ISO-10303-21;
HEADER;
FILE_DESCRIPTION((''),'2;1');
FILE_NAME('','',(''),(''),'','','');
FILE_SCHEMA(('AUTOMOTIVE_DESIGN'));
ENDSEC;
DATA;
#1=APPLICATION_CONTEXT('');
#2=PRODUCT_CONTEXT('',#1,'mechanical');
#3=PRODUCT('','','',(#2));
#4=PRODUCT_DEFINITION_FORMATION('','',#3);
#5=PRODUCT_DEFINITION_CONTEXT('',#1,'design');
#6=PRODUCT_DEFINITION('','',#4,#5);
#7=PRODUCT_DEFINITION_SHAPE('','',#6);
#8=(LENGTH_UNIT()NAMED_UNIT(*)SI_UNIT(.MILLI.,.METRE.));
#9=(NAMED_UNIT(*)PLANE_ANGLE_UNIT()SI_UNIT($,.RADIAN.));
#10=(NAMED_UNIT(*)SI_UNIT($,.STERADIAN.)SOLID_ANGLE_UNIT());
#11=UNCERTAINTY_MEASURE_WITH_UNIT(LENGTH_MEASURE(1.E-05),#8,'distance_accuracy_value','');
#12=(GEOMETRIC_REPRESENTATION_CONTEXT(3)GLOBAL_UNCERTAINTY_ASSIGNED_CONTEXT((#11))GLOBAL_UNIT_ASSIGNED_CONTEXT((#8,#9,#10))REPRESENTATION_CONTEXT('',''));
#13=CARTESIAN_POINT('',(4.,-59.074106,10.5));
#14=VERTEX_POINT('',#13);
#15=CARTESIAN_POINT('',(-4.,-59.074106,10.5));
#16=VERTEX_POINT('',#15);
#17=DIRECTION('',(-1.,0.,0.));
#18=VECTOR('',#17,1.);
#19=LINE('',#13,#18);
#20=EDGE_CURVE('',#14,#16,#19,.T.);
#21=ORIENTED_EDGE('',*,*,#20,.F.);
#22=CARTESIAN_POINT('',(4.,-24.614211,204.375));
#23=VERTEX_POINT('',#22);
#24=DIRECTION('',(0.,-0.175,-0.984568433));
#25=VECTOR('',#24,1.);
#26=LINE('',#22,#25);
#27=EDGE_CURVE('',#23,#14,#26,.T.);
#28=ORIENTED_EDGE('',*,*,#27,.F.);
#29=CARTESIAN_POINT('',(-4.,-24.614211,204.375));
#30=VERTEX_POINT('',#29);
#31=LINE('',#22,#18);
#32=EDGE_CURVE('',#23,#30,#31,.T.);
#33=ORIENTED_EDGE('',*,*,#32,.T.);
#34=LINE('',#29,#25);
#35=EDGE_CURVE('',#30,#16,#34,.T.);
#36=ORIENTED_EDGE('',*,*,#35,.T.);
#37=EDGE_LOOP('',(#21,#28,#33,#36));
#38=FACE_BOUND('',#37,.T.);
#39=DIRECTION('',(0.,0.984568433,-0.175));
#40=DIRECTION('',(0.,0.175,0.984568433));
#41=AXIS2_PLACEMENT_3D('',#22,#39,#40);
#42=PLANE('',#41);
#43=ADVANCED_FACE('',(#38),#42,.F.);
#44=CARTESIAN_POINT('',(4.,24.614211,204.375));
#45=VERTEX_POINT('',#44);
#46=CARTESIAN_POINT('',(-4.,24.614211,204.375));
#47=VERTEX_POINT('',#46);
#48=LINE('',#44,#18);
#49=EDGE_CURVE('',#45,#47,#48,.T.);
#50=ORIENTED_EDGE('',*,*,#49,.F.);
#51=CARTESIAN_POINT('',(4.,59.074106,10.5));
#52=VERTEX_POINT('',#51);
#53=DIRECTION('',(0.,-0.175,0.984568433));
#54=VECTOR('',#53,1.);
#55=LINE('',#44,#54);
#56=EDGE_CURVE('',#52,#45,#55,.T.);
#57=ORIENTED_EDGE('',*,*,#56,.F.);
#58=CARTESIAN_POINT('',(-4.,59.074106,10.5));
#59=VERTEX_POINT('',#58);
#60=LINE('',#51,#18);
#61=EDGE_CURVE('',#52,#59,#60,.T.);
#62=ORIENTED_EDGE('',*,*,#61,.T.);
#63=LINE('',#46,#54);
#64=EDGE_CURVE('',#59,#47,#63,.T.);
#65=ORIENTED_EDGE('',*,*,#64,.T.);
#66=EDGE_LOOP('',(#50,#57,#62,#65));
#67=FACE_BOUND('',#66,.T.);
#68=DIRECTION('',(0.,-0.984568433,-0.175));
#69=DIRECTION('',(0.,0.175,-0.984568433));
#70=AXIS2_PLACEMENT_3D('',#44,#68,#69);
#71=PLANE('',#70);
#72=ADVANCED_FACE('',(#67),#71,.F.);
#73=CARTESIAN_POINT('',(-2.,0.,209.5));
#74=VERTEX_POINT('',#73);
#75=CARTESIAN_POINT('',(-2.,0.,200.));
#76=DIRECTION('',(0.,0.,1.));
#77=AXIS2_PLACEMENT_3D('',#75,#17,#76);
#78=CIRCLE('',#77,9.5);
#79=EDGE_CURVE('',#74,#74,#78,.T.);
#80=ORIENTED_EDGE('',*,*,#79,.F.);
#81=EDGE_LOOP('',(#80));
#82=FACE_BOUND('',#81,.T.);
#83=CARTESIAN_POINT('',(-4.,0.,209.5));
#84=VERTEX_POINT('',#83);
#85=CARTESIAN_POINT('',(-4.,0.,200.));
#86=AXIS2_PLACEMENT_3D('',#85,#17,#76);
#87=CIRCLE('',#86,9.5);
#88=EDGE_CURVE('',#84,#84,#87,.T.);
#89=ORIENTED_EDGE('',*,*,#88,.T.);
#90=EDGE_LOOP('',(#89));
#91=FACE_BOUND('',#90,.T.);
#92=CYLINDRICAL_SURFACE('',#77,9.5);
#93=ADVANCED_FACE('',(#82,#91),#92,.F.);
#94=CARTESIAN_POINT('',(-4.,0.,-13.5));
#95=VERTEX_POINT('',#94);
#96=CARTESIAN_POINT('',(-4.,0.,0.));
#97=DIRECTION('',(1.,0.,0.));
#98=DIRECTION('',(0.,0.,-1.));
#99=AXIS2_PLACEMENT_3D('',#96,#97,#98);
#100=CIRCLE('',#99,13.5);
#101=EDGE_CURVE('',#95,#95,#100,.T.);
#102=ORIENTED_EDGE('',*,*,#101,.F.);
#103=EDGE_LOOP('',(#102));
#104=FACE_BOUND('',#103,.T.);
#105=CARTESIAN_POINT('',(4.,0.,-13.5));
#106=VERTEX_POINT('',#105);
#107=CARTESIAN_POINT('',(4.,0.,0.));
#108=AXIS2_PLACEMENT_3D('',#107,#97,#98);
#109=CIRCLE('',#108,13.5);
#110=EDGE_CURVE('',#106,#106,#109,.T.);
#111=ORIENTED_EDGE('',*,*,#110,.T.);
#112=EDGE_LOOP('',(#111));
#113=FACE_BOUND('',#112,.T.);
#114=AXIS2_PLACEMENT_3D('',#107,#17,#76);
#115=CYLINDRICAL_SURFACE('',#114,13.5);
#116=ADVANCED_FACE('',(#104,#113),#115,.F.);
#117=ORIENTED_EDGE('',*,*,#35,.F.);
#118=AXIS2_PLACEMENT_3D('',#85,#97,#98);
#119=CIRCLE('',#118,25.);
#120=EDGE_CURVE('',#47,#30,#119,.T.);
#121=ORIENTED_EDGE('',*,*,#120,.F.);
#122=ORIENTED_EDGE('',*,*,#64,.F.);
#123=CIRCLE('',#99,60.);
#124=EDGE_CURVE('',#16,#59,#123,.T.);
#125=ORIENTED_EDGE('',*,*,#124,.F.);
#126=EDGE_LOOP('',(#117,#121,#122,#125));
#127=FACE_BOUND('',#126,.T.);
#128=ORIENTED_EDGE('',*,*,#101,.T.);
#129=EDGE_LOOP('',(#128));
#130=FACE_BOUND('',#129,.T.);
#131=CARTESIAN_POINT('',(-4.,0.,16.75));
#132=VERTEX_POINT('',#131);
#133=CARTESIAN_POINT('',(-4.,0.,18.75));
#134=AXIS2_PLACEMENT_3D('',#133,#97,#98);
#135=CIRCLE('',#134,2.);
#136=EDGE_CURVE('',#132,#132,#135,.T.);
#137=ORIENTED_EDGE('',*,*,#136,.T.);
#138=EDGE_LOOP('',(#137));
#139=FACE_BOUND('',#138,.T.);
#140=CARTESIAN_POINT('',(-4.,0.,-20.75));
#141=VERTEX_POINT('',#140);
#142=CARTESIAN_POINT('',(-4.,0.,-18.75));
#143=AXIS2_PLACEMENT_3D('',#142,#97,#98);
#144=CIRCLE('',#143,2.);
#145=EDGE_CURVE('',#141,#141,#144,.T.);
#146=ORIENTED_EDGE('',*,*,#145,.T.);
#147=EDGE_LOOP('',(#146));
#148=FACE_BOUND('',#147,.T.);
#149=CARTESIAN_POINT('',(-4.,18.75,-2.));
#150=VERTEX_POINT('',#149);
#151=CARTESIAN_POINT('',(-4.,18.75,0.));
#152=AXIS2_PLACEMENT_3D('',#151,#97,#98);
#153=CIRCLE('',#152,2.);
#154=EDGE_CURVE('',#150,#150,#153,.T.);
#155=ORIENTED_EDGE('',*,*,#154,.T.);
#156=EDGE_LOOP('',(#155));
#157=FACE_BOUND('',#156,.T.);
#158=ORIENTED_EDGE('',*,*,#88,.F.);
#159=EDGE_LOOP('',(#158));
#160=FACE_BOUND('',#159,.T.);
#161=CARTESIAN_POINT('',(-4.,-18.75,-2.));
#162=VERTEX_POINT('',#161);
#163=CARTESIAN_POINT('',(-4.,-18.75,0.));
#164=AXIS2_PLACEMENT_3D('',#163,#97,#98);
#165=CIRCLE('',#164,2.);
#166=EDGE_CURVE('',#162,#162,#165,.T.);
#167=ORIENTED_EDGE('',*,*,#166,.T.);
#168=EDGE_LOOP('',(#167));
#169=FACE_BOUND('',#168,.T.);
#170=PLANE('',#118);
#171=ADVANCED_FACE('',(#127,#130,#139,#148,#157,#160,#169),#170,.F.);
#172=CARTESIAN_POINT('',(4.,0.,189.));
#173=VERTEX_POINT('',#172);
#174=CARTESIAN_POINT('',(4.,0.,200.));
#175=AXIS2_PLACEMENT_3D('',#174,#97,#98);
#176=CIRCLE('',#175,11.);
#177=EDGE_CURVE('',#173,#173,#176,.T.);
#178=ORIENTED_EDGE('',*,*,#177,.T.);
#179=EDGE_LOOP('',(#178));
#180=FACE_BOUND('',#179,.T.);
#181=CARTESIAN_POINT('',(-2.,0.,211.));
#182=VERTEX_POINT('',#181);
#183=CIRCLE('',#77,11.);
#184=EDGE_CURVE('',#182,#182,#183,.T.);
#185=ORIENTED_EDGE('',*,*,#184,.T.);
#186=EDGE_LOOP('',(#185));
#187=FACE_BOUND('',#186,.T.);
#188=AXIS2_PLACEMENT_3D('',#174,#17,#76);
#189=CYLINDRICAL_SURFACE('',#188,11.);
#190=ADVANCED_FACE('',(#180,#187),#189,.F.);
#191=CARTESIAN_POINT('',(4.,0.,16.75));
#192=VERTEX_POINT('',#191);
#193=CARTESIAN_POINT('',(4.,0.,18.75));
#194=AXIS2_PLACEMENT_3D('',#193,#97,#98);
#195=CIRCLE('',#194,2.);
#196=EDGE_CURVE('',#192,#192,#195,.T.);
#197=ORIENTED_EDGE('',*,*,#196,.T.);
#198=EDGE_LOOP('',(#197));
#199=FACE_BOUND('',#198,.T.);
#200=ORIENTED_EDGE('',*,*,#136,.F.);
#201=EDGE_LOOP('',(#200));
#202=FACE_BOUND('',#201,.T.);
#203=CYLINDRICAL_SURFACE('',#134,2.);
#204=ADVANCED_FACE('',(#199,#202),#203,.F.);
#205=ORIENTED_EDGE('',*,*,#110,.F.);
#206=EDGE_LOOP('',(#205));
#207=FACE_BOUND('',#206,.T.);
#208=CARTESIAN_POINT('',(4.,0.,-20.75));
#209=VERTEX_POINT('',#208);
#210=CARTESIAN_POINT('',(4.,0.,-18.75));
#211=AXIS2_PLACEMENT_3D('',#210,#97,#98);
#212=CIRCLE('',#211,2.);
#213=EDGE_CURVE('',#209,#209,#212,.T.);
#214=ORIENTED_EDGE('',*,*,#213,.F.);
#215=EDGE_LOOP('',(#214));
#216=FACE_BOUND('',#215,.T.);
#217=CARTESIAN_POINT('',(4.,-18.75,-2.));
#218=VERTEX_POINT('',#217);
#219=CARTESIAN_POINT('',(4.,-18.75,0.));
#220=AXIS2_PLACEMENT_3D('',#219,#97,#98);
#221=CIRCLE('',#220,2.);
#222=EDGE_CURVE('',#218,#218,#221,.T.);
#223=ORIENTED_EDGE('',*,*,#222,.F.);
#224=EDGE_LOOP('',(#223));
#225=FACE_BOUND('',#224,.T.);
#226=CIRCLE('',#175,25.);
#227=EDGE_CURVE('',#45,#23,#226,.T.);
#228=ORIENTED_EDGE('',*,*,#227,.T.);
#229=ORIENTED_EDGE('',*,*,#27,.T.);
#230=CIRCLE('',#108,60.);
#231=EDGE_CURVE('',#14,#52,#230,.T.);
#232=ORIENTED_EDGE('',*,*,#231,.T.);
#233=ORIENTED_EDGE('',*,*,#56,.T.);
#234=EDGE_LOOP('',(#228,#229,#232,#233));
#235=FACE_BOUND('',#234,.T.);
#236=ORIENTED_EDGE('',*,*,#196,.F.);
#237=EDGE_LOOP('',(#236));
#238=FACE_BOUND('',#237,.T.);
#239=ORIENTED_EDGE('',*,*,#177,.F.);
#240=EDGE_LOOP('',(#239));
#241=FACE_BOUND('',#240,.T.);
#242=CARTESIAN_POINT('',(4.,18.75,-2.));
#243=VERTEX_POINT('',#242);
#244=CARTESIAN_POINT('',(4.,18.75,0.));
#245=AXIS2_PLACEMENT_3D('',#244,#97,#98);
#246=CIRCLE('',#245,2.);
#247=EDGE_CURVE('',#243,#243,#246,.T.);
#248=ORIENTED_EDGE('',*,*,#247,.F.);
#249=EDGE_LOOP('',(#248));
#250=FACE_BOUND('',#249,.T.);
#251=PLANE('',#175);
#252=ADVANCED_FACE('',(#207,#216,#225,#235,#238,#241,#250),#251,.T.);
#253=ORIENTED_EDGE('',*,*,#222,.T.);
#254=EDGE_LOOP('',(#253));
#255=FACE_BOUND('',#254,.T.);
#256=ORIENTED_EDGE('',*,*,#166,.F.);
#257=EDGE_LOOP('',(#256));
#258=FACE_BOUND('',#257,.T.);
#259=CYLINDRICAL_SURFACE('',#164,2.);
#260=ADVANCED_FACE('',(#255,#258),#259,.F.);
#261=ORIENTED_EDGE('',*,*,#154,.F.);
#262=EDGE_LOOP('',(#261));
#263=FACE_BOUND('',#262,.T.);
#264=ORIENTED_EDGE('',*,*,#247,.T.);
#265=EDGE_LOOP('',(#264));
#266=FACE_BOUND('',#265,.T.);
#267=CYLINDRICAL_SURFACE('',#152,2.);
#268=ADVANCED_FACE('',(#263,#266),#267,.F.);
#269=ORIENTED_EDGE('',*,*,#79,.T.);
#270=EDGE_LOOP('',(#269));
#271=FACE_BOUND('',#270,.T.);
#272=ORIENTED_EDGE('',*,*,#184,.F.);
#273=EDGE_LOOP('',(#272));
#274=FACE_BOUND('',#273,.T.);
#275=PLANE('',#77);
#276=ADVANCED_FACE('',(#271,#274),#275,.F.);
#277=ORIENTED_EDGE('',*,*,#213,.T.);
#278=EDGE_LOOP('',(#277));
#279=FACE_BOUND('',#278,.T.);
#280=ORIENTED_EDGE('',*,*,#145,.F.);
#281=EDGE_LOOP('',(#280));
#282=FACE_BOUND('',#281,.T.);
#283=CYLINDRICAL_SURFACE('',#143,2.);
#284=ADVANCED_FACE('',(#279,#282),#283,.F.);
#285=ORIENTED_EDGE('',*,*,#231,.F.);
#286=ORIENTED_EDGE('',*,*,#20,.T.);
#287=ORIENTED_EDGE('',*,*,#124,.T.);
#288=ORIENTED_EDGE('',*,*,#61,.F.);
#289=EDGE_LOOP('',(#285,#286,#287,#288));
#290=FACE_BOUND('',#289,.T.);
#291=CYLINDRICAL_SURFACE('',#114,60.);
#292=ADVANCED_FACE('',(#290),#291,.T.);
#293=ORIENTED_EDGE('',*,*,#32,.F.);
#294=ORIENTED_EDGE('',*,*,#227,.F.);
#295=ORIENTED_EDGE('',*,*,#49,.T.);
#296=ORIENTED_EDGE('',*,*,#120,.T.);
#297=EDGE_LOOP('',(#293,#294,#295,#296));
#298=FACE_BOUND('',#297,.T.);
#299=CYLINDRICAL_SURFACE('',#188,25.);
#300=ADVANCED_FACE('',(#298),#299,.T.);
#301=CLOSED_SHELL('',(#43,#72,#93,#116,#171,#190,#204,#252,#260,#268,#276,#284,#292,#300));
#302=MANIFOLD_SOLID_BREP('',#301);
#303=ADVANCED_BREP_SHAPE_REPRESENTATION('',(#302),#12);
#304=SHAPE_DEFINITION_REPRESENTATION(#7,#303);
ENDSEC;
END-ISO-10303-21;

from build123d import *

# Parameters (mm, degrees)
SKETCH1_R           = 13.5
SKETCH1_R_2         = 11
BOSS_EXTRUDE1_DEPTH = 4
SKETCH2_R           = 2
CUT_EXTRUDE1_DEPTH  = 234
SKETCH3_R           = 11
SKETCH3_R_2         = 9.5
BOSS_EXTRUDE3_DEPTH = 2


with BuildPart() as part:
    # Sketch1 → Boss-Extrude1 (new, symmetric)
    with BuildSketch(Plane(origin=(0, 0, 0), x_dir=(0, 0, -1), z_dir=(1, 0, 0))):
        with BuildLine():
            Line((-204.375, 24.614210834), (-10.5, 59.074106003))
            ThreePointArc((-10.5, 59.074106003), (60, 0), (-10.5, -59.074106003))
            Line((-10.5, -59.074106003), (-204.375, -24.614210834))
            ThreePointArc((-204.375, -24.614210834), (-225, 0), (-204.375, 24.614210834))
        make_face()
        Circle(SKETCH1_R, mode=Mode.SUBTRACT)
        with Locations((-200, 0)):
            Circle(SKETCH1_R_2, mode=Mode.SUBTRACT)
    extrude(amount=BOSS_EXTRUDE1_DEPTH, both=True)

    # Sketch2 → Cut-Extrude1 (cut, through all)
    with BuildSketch(Plane(origin=(4, 0, 0), x_dir=(0, 0, -1), z_dir=(1, 0, 0))):
        with Locations((0, 18.75)):
            Circle(SKETCH2_R)
        with Locations((18.75, 0)):
            Circle(SKETCH2_R)
        with Locations((0, -18.75)):
            Circle(SKETCH2_R)
        with Locations((-18.75, 0)):
            Circle(SKETCH2_R)
    extrude(amount=-CUT_EXTRUDE1_DEPTH, mode=Mode.SUBTRACT)

    # Sketch3 → Boss-Extrude3 (add)
    with BuildSketch(Plane.ZY.offset(4)):
        with Locations((200, 0)):
            Circle(SKETCH3_R)
        with Locations((200, 0)):
            Circle(SKETCH3_R_2, mode=Mode.SUBTRACT)
    extrude(amount=-BOSS_EXTRUDE3_DEPTH)


solid = part.part
